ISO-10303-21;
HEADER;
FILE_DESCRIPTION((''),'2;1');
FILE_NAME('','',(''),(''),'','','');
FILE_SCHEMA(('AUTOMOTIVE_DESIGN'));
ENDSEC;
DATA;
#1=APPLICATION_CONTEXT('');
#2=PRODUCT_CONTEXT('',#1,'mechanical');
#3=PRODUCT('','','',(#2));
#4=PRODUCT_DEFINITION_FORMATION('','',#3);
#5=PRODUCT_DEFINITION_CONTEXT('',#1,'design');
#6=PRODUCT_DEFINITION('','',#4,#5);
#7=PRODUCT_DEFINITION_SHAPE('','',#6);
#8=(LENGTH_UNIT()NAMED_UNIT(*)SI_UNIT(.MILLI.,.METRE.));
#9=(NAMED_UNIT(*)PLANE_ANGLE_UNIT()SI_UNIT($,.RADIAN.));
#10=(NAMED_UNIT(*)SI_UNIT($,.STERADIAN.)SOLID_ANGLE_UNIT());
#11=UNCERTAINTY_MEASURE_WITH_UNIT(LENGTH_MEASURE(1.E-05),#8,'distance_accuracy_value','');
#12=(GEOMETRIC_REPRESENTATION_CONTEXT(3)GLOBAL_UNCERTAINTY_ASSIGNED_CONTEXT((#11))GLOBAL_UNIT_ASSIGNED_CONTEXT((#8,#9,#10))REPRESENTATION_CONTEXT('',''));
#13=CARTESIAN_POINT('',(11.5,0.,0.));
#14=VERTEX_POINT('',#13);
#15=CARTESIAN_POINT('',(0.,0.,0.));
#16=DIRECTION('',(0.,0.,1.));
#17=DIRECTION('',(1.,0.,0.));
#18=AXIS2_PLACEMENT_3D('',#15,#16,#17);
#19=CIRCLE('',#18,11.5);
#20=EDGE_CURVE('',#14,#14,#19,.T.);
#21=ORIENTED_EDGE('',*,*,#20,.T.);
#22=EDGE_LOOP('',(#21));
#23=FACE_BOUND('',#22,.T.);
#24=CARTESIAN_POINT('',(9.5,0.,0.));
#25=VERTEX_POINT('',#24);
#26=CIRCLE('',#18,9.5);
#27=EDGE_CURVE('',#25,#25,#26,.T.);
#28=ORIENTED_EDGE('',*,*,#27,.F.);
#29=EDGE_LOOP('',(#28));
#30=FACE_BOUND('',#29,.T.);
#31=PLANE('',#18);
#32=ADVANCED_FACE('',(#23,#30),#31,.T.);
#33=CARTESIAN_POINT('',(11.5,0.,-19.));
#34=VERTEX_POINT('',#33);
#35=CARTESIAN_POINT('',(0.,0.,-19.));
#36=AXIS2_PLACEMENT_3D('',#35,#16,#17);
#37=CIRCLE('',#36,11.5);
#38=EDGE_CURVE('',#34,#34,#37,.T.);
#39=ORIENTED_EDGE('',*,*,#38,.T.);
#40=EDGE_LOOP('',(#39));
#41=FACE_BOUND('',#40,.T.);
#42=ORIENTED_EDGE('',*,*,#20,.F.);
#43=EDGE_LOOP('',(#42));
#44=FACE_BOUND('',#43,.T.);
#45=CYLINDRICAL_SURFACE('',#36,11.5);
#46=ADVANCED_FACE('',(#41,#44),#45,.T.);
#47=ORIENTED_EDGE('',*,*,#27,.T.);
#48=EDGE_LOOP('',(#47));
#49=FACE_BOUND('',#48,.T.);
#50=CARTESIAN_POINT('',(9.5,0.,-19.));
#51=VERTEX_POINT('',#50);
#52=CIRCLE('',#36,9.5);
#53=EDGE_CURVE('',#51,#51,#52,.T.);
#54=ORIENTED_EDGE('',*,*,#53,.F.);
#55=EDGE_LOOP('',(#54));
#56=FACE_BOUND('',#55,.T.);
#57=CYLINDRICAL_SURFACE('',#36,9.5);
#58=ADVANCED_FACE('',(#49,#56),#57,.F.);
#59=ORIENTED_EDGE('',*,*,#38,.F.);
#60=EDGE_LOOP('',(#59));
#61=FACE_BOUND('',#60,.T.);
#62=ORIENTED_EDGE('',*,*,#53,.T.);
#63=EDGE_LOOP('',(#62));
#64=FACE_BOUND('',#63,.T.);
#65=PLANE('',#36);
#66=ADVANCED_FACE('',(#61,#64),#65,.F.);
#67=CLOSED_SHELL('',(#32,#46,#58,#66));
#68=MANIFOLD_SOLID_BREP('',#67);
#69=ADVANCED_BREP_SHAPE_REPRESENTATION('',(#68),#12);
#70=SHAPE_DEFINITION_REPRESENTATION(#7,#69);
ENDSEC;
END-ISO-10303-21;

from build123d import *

# Parameters (mm, degrees)
CROQUIS1_R              = 11.5
CROQUIS1_R_2            = 9.5
SALIENTE_EXTRUIR1_DEPTH = 19


with BuildPart() as part:
    # Croquis1 → Saliente-Extruir1 (new body)
    with BuildSketch(Plane.XY):
        Circle(CROQUIS1_R)
        Circle(CROQUIS1_R_2, mode=Mode.SUBTRACT)
    extrude(amount=-SALIENTE_EXTRUIR1_DEPTH)


solid = part.part
